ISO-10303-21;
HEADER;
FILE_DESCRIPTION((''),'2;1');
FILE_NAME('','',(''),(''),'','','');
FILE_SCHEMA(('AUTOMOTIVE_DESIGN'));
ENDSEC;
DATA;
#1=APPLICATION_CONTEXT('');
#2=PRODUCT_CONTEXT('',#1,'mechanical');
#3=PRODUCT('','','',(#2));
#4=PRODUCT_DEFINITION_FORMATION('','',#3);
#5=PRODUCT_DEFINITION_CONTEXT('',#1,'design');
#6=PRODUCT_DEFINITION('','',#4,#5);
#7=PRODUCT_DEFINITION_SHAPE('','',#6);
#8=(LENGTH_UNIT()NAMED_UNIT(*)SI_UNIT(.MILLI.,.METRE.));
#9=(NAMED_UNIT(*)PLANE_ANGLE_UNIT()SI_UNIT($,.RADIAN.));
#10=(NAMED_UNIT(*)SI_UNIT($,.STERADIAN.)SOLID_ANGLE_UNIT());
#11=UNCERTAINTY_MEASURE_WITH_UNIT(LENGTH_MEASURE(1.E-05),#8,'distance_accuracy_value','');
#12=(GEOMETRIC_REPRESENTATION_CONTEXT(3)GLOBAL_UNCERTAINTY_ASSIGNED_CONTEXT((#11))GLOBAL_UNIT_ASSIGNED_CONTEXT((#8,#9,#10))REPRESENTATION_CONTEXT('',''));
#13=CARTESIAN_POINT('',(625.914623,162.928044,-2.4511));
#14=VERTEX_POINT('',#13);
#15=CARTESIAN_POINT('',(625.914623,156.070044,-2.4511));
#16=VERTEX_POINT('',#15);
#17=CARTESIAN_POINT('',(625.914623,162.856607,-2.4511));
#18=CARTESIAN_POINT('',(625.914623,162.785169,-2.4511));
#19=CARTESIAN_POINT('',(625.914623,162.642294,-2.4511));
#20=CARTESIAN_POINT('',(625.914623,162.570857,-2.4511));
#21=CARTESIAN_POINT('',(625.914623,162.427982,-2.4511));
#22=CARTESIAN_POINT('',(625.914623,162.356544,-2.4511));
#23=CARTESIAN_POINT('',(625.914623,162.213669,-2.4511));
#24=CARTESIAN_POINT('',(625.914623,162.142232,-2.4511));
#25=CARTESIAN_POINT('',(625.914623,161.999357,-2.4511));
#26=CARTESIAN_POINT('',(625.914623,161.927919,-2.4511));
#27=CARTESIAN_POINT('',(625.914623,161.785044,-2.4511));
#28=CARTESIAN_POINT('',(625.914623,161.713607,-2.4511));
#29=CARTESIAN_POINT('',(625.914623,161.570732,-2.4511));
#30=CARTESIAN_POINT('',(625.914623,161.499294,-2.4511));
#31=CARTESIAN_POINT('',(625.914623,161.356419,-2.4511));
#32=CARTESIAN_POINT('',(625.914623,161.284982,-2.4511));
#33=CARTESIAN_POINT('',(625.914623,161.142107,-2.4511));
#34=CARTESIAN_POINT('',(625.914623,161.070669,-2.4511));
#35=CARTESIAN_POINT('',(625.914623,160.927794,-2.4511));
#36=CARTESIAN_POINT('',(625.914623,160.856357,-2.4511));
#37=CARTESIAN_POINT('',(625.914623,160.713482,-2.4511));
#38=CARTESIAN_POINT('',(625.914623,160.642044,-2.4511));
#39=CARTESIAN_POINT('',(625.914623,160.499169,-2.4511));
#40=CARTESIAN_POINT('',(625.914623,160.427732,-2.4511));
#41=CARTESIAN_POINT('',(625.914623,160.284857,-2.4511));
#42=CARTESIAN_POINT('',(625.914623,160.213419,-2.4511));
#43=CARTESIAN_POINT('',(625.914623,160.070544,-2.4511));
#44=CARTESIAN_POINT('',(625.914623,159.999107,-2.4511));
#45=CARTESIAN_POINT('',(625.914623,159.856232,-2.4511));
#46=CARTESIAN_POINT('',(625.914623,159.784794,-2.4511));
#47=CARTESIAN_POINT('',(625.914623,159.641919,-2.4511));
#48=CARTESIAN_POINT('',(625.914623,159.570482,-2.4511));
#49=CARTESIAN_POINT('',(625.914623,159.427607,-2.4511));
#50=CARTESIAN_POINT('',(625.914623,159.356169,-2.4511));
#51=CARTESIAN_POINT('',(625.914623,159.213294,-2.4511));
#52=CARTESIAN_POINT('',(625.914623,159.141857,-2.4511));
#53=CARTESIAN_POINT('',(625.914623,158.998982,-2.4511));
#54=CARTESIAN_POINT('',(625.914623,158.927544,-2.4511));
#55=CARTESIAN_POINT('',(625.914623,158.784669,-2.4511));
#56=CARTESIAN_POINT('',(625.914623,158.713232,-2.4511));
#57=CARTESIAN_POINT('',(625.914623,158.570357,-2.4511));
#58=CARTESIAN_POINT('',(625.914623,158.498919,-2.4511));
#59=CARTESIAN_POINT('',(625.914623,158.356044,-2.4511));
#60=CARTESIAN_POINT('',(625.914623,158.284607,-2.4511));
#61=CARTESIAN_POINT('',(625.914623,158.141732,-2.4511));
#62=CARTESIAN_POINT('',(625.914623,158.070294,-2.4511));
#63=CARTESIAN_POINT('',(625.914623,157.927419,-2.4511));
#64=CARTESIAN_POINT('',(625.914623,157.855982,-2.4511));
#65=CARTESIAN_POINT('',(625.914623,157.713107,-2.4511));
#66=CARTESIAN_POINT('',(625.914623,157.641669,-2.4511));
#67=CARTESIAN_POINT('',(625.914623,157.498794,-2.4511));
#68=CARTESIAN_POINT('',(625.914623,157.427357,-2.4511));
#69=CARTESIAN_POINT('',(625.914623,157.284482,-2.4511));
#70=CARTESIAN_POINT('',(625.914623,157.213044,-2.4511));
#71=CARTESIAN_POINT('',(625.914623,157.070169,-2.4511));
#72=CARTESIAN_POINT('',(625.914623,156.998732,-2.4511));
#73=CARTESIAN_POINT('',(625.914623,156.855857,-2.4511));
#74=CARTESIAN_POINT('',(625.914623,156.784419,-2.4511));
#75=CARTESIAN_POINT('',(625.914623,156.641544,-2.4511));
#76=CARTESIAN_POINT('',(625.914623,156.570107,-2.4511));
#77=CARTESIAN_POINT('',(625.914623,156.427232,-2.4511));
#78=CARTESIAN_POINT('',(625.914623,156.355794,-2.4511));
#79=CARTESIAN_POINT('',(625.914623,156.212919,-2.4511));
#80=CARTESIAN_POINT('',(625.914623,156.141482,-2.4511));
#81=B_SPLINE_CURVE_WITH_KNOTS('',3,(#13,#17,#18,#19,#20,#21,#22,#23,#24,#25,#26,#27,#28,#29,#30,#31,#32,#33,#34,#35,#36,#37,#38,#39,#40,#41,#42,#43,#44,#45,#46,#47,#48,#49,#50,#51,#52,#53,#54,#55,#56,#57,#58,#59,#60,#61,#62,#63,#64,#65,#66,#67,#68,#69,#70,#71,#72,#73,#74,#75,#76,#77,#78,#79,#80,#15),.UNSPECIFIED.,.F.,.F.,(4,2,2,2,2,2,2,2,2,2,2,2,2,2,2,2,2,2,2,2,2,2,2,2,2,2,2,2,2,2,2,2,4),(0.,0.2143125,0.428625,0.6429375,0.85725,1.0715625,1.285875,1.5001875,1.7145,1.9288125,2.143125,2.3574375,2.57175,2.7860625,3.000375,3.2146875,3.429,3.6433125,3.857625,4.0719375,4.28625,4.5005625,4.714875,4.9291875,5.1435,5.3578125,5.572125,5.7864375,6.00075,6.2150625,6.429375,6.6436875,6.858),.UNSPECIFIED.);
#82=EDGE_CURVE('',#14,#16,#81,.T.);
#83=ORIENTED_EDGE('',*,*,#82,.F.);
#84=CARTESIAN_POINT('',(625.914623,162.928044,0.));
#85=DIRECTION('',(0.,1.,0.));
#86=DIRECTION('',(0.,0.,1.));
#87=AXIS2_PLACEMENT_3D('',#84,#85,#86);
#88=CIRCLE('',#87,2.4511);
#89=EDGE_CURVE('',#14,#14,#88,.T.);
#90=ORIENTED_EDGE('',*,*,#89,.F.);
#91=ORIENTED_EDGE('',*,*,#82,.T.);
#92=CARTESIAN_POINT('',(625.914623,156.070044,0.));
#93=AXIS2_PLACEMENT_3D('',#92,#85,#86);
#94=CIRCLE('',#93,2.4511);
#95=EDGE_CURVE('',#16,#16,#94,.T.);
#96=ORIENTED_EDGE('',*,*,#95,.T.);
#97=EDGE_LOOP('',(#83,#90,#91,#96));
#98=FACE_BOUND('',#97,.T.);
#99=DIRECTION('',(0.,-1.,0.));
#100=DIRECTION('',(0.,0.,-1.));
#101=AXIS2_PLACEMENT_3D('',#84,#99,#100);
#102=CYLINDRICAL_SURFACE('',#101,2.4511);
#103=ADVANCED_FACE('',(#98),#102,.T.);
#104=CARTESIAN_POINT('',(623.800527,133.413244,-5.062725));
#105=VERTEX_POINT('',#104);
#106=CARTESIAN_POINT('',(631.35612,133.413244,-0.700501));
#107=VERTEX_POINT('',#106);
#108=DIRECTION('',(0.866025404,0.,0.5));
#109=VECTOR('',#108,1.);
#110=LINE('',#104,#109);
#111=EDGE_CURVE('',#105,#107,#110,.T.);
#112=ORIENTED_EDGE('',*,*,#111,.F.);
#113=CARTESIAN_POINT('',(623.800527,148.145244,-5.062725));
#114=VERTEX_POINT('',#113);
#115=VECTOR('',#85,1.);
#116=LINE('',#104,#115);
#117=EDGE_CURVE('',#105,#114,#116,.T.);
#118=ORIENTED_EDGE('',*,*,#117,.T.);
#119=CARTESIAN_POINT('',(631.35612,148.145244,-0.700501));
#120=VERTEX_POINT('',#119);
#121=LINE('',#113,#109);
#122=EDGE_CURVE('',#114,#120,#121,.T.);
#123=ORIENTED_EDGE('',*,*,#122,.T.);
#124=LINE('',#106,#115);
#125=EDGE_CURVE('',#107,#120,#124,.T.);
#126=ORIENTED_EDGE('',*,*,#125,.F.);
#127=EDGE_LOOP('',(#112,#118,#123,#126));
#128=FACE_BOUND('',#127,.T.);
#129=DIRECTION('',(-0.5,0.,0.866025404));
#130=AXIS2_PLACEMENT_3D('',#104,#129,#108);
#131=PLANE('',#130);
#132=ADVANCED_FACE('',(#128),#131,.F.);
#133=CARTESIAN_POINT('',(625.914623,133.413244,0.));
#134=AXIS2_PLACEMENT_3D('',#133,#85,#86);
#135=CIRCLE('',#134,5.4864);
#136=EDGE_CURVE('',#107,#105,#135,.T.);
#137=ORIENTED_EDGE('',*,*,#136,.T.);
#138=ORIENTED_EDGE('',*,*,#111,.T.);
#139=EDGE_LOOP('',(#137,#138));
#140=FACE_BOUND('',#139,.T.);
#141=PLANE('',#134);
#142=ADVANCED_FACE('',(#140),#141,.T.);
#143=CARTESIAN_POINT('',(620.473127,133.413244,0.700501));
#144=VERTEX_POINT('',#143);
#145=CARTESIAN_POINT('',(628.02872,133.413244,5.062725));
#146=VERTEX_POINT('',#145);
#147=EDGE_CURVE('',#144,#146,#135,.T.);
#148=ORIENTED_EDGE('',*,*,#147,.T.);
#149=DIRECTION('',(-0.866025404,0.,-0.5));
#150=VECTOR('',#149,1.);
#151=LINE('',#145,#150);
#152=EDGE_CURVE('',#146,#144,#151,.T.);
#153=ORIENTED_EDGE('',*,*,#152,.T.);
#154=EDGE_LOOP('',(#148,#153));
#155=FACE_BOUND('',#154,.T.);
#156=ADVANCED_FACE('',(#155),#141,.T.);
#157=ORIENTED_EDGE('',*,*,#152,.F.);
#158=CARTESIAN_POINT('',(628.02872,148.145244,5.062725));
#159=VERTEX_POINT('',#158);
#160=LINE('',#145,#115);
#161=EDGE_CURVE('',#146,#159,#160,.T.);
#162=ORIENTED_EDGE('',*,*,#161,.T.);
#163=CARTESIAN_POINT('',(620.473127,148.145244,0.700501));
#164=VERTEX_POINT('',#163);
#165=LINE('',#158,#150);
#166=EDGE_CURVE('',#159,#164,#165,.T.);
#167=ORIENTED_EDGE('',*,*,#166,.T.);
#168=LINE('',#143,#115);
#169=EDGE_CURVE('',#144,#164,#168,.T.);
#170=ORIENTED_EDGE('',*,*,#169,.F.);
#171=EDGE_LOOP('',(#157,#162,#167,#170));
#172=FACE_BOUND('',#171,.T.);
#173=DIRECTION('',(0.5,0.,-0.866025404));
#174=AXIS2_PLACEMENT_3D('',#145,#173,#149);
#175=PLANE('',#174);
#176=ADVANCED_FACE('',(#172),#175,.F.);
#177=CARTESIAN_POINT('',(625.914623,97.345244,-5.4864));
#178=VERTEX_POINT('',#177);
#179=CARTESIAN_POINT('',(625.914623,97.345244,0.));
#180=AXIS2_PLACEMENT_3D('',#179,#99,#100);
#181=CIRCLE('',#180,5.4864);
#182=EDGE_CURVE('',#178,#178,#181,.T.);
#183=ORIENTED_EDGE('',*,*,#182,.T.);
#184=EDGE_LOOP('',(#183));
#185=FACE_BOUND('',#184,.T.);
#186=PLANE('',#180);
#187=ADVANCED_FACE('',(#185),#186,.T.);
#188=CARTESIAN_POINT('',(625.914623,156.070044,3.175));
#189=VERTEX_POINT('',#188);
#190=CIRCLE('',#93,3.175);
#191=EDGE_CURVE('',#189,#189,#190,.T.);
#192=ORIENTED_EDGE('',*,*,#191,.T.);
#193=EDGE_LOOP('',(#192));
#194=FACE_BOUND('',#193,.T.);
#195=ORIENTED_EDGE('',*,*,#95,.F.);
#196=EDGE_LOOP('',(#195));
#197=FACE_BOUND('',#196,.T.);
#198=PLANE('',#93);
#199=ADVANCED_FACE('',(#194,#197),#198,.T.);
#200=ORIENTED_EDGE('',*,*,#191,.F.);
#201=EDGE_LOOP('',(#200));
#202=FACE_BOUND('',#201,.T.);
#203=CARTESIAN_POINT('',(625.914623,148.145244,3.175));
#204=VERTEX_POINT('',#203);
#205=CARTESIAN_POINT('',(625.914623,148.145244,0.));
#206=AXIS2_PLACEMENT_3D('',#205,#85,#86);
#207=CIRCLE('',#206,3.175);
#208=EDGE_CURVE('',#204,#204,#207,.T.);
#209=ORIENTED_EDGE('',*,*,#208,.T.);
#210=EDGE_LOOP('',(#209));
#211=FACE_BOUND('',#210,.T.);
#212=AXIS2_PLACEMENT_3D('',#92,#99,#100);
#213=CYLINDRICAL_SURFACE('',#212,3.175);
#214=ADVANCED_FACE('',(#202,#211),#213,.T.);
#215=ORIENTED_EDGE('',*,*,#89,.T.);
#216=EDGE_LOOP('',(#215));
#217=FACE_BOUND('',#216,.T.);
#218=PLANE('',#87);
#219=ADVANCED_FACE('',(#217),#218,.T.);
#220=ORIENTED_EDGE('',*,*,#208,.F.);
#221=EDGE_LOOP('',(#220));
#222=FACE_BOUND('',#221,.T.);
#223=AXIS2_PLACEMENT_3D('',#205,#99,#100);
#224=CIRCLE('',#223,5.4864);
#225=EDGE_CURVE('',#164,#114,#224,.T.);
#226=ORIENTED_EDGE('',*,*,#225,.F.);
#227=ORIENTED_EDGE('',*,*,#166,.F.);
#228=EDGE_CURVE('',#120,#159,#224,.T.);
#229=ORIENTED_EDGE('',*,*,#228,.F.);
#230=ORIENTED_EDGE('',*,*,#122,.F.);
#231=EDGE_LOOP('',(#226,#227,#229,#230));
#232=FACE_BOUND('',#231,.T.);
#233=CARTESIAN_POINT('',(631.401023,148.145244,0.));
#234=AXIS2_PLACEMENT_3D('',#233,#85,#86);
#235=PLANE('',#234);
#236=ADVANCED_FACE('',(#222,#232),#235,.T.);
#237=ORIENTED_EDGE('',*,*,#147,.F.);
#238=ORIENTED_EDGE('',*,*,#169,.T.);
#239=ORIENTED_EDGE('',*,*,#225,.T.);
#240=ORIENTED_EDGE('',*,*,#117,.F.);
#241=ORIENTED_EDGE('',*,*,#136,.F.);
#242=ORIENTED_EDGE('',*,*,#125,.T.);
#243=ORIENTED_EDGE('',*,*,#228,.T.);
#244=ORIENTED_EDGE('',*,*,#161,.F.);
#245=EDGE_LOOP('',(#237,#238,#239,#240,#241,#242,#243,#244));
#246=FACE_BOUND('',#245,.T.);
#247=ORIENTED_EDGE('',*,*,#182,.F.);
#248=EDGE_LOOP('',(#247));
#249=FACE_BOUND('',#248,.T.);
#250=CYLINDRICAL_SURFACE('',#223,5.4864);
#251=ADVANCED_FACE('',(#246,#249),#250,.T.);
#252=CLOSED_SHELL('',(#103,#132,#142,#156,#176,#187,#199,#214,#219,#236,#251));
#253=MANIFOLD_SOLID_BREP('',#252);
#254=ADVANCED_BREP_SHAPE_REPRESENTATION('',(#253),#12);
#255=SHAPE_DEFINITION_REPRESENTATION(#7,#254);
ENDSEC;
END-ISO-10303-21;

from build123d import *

# Parameters (mm, degrees)
SKETCH1_W           = 5.4864
SKETCH1_H           = 50.8
CUT_EXTRUDE1_DEPTH  = 14.732
CUT_EXTRUDE2_DEPTH  = 14.732
SKETCH4_R           = 3.175
BOSS_EXTRUDE1_DEPTH = 7.9248
SKETCH5_R           = 2.4511
BOSS_EXTRUDE2_DEPTH = 6.858


with BuildPart() as part:
    # Sketch1 → Revolve1 (revolve)
    with BuildSketch(Plane.XY, mode=Mode.PRIVATE) as revolve1_sk:
        with Locations((628.657823135, 122.745244002)):
            Rectangle(SKETCH1_W, SKETCH1_H)
    revolve(revolve1_sk.sketch.rotate(Axis((625.914623135, 148.145244002, 0), (0, -1, 0)), 270), axis=Axis((625.914623135, 148.145244002, 0), (0, -1, 0)))

    # Sketch2 → Cut-Extrude1 (cut)
    with BuildSketch(Plane(origin=(0, 148.145244002, 0), x_dir=(-1, 0, 0), z_dir=(0, 1, 0))):
        with BuildLine():
            Line((-628.028719536, 5.062724698), (-620.473126733, 0.700501159))
            ThreePointArc((-620.473126733, 0.700501159), (-623.171423135, 4.751361775), (-628.028719536, 5.062724698))
        make_face()
    extrude(amount=-CUT_EXTRUDE1_DEPTH, mode=Mode.SUBTRACT)

    # Sketch3 → Cut-Extrude2 (cut)
    with BuildSketch(Plane(origin=(0, 148.145244002, 0), x_dir=(-1, 0, 0), z_dir=(0, 1, 0))):
        with BuildLine():
            Line((-623.800526733, -5.062724698), (-631.356119536, -0.700501159))
            ThreePointArc((-631.356119536, -0.700501159), (-628.657823135, -4.751361775), (-623.800526733, -5.062724698))
        make_face()
    extrude(amount=-CUT_EXTRUDE2_DEPTH, mode=Mode.SUBTRACT)

    # Sketch4 → Boss-Extrude1 (add)
    with BuildSketch(Plane(origin=(0, 148.145244002, 0), x_dir=(-1, 0, 0), z_dir=(0, 1, 0))):
        with Locations(Location((-625.914623135, 0, 0), (0, 0, 90))):
            Circle(SKETCH4_R)
    extrude(amount=BOSS_EXTRUDE1_DEPTH)

    # Sketch5 → Boss-Extrude2 (add)
    with BuildSketch(Plane(origin=(0, 156.070044002, 0), x_dir=(-1, 0, 0), z_dir=(0, 1, 0))):
        with Locations(Location((-625.914623135, 0, 0), (0, 0, 270))):
            Circle(SKETCH5_R)
    extrude(amount=BOSS_EXTRUDE2_DEPTH)


solid = part.part
